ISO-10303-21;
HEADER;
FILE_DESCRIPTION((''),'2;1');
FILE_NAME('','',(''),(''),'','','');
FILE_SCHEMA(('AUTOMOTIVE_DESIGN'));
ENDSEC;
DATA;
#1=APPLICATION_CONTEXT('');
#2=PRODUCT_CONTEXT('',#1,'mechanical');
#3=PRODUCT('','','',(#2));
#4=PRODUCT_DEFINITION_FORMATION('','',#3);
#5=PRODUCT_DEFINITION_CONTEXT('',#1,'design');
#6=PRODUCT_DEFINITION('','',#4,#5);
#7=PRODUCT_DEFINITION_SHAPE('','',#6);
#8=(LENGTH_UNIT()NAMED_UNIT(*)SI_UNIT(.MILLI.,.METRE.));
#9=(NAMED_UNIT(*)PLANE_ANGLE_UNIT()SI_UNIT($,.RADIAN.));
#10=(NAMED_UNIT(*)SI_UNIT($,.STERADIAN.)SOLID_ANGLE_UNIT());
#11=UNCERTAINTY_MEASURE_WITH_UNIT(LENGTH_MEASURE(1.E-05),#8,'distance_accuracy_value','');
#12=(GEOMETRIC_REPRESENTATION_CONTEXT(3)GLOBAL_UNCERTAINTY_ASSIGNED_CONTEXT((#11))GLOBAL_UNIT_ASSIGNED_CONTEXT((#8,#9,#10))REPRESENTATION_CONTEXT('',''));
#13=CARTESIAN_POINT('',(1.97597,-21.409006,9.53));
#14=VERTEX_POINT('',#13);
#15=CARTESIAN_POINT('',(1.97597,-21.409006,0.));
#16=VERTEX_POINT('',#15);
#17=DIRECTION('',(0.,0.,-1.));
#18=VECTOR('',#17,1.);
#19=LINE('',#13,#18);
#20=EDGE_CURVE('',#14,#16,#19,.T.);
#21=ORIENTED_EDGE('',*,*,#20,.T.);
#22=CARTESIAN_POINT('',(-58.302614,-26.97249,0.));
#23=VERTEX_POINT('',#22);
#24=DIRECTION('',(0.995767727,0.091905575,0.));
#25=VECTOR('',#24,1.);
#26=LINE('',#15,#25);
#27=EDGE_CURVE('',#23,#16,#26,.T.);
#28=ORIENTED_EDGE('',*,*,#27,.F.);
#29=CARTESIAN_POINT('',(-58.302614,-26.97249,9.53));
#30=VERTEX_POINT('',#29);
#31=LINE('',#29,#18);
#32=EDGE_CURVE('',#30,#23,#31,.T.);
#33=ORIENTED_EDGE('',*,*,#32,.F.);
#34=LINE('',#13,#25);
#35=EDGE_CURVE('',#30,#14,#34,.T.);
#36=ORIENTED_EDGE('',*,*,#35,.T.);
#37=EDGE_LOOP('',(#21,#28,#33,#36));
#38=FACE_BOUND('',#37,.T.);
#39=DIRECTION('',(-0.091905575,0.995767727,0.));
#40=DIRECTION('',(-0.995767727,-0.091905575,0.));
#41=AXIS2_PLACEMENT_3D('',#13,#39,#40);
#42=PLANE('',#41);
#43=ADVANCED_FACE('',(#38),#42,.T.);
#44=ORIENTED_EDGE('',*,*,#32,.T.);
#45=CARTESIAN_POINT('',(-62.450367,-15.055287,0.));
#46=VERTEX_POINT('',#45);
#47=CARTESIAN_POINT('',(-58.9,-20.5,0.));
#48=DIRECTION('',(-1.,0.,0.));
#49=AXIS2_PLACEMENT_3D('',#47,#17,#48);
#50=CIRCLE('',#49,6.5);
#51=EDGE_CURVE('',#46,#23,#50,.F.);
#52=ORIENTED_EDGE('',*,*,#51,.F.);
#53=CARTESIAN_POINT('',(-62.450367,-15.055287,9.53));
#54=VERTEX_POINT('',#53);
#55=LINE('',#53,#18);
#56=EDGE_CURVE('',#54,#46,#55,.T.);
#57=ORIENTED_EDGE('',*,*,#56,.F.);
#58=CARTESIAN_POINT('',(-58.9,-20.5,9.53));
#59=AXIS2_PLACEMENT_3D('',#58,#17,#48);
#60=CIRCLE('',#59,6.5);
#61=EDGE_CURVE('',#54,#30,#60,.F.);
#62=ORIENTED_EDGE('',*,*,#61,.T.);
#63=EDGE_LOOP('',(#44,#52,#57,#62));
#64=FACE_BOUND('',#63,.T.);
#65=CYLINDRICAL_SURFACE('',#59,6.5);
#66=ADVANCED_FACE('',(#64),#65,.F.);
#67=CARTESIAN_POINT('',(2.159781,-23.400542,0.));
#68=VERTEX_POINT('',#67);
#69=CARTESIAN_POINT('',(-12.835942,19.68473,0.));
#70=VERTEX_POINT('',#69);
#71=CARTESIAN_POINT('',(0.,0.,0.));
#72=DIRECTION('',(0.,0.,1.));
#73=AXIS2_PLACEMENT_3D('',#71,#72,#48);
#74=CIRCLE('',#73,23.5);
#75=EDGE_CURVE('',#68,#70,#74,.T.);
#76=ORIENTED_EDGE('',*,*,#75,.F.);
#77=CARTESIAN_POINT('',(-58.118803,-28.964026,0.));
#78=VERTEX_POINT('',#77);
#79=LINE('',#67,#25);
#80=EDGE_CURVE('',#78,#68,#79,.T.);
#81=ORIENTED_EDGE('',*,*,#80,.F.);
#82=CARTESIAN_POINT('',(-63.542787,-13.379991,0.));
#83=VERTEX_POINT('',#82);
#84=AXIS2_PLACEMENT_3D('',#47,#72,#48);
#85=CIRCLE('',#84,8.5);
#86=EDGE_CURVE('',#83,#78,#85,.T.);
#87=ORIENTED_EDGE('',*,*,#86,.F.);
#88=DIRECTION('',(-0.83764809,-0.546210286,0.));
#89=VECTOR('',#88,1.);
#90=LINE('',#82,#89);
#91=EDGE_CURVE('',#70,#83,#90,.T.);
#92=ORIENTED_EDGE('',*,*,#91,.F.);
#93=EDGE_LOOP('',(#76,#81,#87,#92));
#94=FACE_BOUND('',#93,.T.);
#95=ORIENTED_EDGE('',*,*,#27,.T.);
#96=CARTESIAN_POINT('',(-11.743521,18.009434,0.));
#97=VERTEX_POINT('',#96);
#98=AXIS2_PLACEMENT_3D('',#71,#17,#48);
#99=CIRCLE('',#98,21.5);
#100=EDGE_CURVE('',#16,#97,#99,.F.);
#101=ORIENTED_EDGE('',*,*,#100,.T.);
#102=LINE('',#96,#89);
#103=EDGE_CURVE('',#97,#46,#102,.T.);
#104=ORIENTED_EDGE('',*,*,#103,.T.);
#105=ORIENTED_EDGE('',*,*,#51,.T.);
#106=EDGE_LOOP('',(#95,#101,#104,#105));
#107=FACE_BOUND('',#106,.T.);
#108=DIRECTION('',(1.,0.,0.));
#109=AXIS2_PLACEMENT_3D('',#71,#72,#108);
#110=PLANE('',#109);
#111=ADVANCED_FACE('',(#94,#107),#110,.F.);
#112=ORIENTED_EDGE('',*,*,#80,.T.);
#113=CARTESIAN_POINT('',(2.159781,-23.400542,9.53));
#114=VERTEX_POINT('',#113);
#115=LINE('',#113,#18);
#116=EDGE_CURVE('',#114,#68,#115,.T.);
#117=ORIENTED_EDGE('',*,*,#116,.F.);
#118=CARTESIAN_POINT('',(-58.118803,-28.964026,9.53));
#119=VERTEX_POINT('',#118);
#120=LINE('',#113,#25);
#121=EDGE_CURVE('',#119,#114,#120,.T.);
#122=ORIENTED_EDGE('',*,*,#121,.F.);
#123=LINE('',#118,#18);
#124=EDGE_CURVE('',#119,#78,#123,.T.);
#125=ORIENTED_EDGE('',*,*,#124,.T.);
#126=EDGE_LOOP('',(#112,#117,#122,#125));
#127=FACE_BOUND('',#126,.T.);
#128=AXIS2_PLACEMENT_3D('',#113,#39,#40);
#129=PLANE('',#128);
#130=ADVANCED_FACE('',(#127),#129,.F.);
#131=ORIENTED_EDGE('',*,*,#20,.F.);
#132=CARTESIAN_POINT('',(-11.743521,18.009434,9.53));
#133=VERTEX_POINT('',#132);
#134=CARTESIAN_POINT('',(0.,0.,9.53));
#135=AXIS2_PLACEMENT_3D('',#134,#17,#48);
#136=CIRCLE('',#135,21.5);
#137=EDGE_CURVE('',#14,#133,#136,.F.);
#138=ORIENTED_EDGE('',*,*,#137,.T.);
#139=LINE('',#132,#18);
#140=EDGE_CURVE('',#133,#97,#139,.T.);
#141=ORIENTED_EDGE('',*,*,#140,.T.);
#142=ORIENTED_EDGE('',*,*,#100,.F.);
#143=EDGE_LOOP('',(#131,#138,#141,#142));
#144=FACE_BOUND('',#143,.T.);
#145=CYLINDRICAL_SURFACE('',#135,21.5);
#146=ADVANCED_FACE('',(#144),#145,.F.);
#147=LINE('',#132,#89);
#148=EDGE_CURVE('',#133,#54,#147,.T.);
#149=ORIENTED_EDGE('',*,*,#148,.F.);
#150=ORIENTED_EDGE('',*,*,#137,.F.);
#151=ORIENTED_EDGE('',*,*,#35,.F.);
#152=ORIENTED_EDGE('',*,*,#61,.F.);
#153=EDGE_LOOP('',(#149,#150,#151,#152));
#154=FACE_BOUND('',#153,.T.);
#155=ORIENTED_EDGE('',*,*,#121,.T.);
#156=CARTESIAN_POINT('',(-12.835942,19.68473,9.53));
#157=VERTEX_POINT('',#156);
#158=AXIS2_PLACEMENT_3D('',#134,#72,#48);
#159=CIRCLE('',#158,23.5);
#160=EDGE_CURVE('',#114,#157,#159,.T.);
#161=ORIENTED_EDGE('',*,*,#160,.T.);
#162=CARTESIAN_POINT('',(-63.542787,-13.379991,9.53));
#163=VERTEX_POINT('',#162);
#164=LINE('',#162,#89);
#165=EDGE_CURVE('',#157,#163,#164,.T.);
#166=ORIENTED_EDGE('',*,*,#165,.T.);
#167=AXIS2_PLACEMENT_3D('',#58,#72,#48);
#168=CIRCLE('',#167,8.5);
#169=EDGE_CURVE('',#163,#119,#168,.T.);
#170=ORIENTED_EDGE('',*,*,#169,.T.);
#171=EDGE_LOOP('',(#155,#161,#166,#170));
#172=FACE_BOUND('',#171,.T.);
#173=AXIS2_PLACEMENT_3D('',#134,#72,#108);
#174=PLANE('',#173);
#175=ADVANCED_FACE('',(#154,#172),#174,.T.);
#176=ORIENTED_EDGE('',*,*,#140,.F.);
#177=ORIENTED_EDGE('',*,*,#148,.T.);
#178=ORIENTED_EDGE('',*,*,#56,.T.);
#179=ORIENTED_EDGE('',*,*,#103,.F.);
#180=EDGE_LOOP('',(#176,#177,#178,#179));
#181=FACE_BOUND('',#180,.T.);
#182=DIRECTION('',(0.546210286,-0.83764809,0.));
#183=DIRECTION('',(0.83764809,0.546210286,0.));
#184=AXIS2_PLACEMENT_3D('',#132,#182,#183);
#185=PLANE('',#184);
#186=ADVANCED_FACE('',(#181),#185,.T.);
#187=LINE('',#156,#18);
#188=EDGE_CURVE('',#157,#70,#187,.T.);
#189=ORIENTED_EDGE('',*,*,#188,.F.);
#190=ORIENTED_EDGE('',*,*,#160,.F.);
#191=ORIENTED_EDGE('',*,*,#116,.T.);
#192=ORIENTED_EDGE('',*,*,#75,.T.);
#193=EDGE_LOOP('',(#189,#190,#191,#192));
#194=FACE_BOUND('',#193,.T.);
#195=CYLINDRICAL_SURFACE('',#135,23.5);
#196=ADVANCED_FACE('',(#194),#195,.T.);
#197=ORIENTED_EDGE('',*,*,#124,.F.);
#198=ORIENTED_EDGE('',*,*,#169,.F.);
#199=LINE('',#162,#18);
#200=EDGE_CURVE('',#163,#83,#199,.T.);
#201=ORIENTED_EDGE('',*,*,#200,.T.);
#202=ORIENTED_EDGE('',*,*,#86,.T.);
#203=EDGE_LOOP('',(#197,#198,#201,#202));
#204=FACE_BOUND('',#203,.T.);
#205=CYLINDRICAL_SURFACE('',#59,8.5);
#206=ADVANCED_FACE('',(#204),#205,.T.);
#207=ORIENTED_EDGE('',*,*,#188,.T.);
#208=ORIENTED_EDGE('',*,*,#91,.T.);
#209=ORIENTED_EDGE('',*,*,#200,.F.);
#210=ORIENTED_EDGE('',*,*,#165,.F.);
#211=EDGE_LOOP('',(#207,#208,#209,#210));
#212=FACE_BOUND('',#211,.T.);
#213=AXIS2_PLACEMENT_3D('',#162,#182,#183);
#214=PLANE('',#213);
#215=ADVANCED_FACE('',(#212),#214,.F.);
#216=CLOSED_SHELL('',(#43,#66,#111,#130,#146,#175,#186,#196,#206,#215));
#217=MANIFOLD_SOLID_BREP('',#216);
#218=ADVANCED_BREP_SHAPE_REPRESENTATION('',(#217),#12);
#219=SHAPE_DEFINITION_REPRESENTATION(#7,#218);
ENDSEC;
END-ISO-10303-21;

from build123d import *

# Parameters (mm, degrees)
EXTRUS_O_FINA1_DEPTH = 9.53


with BuildPart() as part:
    # Esboço2 → Extrusão-Fina1 (new body)
    with BuildSketch(Plane.XY):
        with BuildLine():
            Line((-63.542787432, -13.379991232), (-12.835941724, 19.684730124))
            ThreePointArc((-12.835941724, 19.684730124), (22.194149255, 7.724619011), (2.159781023, -23.400541573))
            Line((2.159781023, -23.400541573), (-58.118802609, -28.964025676))
            ThreePointArc((-58.118802609, -28.964025676), (-66.927671007, -23.294011131), (-63.542787432, -13.379991232))
        make_face()
        with BuildLine():
            Line((-62.45036686, -15.055287412), (-11.743521152, 18.009433943))
            ThreePointArc((-11.743521152, 18.009433943), (20.305285488, 7.067204627), (1.975969872, -21.40900612))
            Line((1.975969872, -21.40900612), (-58.30261376, -26.972490222))
            ThreePointArc((-58.30261376, -26.972490222), (-65.038807241, -22.636596748), (-62.45036686, -15.055287412))
        make_face(mode=Mode.SUBTRACT)
    extrude(amount=EXTRUS_O_FINA1_DEPTH)


solid = part.part
